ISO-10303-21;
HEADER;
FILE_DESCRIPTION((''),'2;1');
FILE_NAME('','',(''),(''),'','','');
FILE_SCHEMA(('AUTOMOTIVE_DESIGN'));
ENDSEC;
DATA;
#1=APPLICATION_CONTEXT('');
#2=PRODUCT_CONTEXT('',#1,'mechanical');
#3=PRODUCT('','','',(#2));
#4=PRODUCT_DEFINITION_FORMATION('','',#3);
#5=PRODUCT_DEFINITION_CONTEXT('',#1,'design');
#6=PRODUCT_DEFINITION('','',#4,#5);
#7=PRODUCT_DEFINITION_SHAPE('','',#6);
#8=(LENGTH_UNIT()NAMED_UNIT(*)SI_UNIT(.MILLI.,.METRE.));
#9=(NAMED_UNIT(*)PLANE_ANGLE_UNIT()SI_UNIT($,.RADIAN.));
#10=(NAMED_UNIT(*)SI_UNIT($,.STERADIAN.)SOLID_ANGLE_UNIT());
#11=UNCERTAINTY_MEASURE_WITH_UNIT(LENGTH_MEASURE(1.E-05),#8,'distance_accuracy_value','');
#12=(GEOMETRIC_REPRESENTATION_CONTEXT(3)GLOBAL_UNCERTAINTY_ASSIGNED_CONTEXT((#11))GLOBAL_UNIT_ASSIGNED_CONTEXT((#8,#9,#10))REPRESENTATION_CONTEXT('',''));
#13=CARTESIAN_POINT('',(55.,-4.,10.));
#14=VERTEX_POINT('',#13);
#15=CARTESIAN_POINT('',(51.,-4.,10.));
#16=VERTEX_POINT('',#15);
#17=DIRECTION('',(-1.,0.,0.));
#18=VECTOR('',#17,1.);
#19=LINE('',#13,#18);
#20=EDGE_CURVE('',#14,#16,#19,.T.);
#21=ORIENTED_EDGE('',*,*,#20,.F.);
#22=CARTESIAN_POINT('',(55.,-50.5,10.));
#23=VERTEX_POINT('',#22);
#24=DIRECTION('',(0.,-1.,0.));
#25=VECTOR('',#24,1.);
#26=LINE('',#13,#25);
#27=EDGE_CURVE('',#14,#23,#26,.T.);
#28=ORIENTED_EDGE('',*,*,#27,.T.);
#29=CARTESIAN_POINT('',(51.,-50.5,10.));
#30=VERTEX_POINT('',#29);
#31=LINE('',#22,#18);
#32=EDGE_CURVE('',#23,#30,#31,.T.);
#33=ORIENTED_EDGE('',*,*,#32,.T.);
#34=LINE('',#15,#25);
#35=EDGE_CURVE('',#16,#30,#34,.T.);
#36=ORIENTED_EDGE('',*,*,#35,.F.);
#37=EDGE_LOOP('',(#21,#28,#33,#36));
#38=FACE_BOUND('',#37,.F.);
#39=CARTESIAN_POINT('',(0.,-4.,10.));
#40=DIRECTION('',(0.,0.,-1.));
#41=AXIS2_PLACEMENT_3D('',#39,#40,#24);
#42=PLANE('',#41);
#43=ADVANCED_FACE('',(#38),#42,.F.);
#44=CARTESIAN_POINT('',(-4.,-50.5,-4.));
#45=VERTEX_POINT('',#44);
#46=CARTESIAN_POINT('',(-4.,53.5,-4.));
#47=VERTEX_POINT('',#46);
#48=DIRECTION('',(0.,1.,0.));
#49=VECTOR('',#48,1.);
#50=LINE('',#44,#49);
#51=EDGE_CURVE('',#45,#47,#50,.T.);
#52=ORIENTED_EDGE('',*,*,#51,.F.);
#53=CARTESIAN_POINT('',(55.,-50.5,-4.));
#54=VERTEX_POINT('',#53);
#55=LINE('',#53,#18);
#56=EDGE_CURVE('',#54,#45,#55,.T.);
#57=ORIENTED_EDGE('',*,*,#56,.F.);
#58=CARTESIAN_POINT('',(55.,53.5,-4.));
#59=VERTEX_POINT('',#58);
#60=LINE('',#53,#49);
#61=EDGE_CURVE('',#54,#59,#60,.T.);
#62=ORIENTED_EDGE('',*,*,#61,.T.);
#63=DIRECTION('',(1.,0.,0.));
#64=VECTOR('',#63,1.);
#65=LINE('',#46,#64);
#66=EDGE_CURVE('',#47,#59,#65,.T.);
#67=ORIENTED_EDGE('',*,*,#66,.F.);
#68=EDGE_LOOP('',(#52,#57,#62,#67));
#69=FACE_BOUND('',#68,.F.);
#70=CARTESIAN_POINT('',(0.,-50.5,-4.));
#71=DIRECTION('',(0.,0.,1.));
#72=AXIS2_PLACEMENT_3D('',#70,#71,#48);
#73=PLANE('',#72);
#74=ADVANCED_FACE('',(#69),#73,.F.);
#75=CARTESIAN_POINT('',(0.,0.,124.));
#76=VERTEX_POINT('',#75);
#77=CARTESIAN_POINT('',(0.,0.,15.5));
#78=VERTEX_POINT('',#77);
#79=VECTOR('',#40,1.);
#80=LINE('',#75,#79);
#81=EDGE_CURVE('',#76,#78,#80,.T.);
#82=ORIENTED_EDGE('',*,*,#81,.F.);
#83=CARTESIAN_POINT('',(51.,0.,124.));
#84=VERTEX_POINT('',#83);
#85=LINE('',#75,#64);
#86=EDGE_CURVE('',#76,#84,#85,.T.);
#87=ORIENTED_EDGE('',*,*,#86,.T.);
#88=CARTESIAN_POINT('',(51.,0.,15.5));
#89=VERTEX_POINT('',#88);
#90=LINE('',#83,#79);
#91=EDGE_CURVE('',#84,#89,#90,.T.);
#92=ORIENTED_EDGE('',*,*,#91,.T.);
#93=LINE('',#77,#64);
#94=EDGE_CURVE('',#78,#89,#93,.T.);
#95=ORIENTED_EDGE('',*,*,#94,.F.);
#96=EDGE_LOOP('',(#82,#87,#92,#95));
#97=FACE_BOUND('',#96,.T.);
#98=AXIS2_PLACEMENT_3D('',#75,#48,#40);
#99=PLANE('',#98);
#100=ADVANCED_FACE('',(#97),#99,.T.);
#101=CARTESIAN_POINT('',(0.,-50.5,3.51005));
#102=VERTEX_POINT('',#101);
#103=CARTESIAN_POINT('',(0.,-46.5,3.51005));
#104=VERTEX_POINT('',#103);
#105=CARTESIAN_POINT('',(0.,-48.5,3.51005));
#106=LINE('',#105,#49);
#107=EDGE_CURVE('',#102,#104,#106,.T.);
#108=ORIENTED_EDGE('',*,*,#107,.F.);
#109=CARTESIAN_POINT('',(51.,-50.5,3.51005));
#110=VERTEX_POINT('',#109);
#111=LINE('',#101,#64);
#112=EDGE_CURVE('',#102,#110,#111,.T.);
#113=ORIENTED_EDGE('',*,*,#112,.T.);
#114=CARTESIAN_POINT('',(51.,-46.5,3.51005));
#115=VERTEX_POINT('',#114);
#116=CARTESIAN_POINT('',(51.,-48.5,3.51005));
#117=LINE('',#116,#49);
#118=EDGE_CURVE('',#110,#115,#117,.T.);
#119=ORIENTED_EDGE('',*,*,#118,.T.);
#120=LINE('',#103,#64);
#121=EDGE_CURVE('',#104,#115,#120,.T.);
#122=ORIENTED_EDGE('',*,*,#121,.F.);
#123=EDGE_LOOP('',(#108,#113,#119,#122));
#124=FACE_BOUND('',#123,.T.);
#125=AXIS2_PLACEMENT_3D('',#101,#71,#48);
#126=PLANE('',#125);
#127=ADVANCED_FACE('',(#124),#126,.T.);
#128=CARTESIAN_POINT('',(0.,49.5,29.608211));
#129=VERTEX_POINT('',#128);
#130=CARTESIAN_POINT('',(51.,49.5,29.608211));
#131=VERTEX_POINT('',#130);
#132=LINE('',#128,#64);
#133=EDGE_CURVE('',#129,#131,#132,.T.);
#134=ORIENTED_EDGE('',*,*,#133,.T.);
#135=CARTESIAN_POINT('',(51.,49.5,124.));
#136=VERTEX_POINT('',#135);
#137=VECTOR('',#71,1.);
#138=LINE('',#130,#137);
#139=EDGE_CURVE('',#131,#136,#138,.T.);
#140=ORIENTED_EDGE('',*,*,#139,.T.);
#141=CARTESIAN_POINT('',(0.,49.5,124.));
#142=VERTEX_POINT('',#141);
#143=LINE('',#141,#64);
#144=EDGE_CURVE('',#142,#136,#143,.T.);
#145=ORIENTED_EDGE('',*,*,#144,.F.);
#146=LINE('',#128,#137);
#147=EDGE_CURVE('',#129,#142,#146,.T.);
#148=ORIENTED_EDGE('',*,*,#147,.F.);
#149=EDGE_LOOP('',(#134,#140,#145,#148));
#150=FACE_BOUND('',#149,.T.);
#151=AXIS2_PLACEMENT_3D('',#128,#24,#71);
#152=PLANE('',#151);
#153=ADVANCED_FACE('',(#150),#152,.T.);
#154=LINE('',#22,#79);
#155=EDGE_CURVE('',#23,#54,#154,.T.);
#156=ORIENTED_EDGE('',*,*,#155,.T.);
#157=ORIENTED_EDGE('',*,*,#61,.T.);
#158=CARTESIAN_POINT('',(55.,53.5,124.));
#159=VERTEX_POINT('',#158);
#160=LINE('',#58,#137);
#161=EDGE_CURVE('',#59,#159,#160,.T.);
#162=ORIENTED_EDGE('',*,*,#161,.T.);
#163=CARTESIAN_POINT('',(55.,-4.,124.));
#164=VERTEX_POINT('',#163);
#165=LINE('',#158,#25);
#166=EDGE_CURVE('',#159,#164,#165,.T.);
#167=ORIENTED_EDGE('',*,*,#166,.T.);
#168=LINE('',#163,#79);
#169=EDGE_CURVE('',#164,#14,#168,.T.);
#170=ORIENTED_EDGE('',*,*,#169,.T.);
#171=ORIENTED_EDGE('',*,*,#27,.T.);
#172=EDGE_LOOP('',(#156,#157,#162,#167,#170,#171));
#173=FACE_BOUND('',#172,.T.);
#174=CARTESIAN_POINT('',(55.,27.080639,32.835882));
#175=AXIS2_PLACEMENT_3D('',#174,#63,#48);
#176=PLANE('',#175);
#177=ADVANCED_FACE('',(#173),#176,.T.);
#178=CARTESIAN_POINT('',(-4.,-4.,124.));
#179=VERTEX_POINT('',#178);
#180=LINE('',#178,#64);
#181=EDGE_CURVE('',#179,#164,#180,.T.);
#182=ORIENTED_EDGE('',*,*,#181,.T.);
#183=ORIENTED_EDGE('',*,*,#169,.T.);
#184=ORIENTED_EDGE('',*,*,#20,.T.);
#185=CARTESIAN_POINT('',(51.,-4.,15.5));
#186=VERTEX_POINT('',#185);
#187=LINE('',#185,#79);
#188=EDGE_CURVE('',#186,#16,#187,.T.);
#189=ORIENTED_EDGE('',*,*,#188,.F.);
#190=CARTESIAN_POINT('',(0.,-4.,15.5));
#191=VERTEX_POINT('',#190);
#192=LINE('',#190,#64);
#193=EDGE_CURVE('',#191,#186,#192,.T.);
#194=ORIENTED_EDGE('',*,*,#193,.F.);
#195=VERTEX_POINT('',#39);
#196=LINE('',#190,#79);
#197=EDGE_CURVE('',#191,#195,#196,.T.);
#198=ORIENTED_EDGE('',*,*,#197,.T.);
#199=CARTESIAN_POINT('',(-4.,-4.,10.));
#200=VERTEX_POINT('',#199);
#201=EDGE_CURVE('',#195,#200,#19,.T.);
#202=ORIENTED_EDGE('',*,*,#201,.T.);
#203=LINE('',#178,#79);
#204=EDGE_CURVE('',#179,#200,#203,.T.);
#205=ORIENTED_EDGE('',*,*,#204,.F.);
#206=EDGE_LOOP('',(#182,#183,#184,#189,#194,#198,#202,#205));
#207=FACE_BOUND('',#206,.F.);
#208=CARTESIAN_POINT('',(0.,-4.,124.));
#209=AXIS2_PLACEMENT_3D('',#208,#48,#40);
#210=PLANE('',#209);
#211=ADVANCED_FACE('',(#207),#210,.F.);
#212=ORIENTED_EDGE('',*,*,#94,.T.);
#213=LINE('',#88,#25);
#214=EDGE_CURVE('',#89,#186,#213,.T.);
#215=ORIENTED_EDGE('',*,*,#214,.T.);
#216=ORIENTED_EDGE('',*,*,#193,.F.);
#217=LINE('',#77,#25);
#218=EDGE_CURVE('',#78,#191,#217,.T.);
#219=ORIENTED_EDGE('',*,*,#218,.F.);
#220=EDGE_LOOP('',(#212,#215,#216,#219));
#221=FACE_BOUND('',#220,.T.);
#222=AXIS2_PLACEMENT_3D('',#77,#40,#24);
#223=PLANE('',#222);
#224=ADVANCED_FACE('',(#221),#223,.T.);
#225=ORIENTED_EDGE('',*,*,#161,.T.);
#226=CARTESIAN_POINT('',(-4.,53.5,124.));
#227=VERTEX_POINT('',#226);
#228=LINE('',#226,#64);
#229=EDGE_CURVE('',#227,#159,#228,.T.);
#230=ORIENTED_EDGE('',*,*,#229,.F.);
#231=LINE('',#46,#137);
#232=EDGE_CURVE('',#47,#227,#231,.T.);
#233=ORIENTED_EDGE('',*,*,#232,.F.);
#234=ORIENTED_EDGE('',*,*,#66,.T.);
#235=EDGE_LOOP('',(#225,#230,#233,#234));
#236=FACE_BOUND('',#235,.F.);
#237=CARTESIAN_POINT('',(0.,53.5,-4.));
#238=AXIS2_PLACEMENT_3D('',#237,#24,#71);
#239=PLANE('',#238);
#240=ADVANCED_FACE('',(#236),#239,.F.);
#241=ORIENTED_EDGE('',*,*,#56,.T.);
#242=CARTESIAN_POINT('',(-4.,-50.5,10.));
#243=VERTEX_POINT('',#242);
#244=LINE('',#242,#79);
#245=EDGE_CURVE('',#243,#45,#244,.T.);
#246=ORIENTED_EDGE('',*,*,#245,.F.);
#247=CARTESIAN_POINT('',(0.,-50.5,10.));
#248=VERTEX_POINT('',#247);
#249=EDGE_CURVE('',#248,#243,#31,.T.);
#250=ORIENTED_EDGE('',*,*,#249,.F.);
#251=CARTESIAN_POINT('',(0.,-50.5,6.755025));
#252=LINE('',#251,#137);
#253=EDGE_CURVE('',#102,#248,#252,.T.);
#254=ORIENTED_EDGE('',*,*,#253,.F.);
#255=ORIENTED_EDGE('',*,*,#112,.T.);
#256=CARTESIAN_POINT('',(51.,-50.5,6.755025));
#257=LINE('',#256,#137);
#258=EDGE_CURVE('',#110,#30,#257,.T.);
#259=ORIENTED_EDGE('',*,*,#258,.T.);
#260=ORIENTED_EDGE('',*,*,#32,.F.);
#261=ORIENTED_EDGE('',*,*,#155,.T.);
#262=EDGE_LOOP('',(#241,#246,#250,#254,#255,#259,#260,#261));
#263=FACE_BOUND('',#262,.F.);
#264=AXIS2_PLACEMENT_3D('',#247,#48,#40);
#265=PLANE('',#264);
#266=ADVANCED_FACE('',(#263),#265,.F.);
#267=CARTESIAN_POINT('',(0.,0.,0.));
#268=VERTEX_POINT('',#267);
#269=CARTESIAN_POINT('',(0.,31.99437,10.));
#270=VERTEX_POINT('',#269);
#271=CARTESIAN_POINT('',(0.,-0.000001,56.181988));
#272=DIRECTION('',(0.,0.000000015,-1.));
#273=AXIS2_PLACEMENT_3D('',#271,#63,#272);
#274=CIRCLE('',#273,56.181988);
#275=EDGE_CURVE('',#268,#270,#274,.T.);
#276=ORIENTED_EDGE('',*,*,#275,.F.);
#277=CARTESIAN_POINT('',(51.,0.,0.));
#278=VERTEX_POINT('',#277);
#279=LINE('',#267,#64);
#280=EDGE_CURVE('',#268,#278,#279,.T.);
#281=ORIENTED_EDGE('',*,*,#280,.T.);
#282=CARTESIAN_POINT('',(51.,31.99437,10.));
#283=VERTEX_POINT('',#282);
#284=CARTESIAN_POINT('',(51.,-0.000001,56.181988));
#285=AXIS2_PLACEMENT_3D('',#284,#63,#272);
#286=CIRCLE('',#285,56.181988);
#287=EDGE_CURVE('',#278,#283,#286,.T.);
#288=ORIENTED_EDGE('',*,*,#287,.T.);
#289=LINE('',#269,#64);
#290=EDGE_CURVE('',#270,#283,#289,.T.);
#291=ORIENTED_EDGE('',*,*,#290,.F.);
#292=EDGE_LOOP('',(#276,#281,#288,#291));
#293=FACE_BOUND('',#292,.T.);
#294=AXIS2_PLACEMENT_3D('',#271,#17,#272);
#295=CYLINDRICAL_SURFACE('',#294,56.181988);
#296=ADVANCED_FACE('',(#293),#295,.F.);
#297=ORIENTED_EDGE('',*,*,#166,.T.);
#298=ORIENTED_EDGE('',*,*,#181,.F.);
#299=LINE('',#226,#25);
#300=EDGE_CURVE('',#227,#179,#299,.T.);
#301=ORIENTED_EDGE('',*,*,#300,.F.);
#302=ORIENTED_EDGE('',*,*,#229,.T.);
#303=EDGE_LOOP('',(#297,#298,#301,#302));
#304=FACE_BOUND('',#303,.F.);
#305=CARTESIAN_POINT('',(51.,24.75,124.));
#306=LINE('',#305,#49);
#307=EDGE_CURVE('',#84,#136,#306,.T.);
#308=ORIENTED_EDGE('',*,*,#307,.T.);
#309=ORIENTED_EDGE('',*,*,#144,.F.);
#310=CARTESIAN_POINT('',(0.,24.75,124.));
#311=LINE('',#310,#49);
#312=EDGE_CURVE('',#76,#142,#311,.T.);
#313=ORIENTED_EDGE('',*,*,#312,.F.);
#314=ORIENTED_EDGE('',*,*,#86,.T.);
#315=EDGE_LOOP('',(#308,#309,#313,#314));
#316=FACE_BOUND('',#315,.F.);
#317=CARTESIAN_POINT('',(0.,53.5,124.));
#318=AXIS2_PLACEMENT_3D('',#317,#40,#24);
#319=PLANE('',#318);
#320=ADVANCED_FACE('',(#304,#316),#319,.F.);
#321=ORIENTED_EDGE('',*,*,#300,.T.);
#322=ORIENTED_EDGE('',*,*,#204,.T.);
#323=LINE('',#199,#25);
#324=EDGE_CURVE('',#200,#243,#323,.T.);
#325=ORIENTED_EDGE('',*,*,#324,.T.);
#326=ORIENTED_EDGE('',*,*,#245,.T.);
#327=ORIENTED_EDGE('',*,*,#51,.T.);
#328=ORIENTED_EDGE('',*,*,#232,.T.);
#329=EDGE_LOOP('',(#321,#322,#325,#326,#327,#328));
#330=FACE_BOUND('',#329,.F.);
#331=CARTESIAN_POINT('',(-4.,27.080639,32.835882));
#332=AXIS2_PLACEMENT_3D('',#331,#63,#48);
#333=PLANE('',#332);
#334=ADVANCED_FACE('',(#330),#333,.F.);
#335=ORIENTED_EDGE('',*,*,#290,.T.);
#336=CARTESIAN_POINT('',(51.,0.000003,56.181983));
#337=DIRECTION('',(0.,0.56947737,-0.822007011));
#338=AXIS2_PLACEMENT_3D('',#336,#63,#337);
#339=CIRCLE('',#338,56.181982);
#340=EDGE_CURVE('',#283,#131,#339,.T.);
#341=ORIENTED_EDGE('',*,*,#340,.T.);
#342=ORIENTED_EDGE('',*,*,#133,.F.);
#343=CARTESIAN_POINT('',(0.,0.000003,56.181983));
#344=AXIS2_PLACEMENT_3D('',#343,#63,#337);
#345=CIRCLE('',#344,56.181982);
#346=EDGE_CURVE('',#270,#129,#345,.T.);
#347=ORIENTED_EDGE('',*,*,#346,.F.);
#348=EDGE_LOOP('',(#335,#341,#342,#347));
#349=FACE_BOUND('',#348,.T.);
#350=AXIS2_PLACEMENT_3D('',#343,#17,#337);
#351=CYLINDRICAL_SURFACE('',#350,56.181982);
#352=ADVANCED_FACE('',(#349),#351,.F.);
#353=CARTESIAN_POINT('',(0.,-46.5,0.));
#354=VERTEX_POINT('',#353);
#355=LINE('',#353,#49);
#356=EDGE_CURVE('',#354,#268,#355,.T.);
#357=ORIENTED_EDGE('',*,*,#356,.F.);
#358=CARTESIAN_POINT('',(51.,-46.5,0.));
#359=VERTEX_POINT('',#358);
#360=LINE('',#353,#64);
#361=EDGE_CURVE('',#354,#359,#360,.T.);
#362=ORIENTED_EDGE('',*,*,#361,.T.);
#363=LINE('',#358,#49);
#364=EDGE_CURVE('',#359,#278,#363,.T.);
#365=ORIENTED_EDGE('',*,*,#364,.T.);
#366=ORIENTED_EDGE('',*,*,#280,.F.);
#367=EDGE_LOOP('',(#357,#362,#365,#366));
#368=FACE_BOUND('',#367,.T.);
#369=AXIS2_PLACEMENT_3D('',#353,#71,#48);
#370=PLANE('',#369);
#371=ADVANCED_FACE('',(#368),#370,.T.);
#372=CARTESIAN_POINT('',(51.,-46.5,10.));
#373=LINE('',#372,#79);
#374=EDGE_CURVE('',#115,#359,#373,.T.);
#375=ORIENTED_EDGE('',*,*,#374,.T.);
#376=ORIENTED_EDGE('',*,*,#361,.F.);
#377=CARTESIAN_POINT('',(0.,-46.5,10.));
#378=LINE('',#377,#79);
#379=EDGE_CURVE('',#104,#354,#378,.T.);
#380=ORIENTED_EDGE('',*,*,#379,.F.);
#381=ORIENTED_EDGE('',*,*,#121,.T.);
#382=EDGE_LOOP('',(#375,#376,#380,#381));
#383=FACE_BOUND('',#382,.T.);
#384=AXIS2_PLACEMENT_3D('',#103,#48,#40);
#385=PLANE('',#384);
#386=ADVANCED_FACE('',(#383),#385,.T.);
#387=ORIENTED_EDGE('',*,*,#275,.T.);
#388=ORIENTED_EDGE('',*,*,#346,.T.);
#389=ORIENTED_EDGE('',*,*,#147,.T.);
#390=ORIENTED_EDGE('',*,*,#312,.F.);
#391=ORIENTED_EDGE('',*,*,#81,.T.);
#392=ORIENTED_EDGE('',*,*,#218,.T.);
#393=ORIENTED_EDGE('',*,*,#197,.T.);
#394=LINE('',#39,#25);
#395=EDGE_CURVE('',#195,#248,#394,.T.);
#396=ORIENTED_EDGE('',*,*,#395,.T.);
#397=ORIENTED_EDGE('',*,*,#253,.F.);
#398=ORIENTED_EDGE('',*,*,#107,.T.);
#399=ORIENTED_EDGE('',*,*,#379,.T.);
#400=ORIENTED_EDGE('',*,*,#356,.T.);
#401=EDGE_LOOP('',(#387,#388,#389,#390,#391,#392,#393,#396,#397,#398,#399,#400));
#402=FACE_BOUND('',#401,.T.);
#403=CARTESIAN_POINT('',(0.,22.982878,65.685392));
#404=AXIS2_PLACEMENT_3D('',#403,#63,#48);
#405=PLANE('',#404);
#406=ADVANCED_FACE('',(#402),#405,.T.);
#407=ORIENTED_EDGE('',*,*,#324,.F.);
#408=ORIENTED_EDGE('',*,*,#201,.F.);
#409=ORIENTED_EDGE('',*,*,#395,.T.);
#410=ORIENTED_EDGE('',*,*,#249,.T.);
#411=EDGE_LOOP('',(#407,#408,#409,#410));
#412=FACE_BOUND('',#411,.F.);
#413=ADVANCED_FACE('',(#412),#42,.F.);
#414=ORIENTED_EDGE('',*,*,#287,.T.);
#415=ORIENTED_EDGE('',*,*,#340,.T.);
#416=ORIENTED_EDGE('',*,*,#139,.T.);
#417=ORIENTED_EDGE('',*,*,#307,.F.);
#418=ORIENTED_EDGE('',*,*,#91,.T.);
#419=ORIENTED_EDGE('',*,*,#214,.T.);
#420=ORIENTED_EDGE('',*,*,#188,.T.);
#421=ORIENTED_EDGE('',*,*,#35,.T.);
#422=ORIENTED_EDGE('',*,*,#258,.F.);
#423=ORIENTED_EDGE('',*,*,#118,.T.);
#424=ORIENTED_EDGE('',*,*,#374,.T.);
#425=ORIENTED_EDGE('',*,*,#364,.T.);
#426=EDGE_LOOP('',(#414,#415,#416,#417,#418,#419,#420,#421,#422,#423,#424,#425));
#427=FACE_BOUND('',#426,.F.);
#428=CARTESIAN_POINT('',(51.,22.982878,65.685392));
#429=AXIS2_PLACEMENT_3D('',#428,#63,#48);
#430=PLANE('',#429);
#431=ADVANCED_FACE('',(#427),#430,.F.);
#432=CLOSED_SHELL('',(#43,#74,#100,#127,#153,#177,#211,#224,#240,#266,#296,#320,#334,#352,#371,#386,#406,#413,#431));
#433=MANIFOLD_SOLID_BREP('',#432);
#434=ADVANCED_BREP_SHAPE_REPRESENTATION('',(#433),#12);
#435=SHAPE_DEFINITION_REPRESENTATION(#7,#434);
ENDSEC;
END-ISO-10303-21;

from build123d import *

# Parameters (mm, degrees)
F0_W     = 4
F0_H     = 6.48995
F0_W_2   = 49.5
F0_H_2   = 4
F1_DEPTH = 4
F2_DEPTH = 55
F3_DEPTH = 51


with BuildPart() as f1:
    # F0 (on Right) → F1 (new body)
    with BuildSketch(Plane.YZ):
        Polygon((46.5, 0), (0, 0), (-46.5, 0), (-46.5, 3.51005), (-50.5, 3.51005), (-50.5, -4), (0, -4), (46.5, -4), (53.5, -4), (53.5, 124), (49.5, 124), (49.5, 120), (49.5, 29.608211), (49.5, 0), align=None)
        with BuildLine():
            ThreePointArc((31.99437, 10), (16.760368, 2.558245), (0, 0))
            Line((0, 0), (46.5, 0))
            Line((46.5, 0), (49.5, 0))
            Line((49.5, 0), (49.5, 29.608211))
            ThreePointArc((49.5, 29.608211), (41.910065, 18.76592), (31.99437, 10))
        make_face()
        with BuildLine():
            Line((0, 10), (0, 0))
            ThreePointArc((0, 0), (16.760368, 2.558245), (31.99437, 10))
            Line((31.99437, 10), (0, 10))
        make_face()
        Polygon((-46.5, 0), (0, 0), (0, 10), (-4, 10), (-46.5, 10), (-46.5, 3.51005), align=None)
        with BuildLine():
            Line((0, 10), (31.99437, 10))
            ThreePointArc((31.99437, 10), (41.910065, 18.76592), (49.5, 29.608211))
            Line((49.5, 29.608211), (49.5, 120))
            Line((49.5, 120), (0, 120))
            Line((0, 120), (0, 56.181986))
            Line((0, 56.181986), (0, 15.5))
            Line((0, 15.5), (-4, 15.5))
            Line((-4, 15.5), (-4, 10))
            Line((-4, 10), (0, 10))
        make_face()
        with Locations((-48.5, 6.755025)):
            Rectangle(F0_W, F0_H)
        Polygon((-4, 124), (-4, 15.5), (0, 15.5), (0, 56.181986), (0, 120), (0, 124), align=None)
        with Locations((24.75, 122)):
            Rectangle(F0_W_2, F0_H_2)
    extrude(amount=-F1_DEPTH)

    # F0 (on Right) → F2 (join)
    with BuildSketch(Plane.YZ):
        Polygon((46.5, 0), (0, 0), (-46.5, 0), (-46.5, 3.51005), (-50.5, 3.51005), (-50.5, -4), (0, -4), (46.5, -4), (53.5, -4), (53.5, 124), (49.5, 124), (49.5, 120), (49.5, 29.608211), (49.5, 0), align=None)
        with BuildLine():
            ThreePointArc((31.99437, 10), (16.760368, 2.558245), (0, 0))
            Line((0, 0), (46.5, 0))
            Line((46.5, 0), (49.5, 0))
            Line((49.5, 0), (49.5, 29.608211))
            ThreePointArc((49.5, 29.608211), (41.910065, 18.76592), (31.99437, 10))
        make_face()
        with BuildLine():
            Line((0, 10), (31.99437, 10))
            ThreePointArc((31.99437, 10), (41.910065, 18.76592), (49.5, 29.608211))
            Line((49.5, 29.608211), (49.5, 120))
            Line((49.5, 120), (0, 120))
            Line((0, 120), (0, 56.181986))
            Line((0, 56.181986), (0, 15.5))
            Line((0, 15.5), (-4, 15.5))
            Line((-4, 15.5), (-4, 10))
            Line((-4, 10), (0, 10))
        make_face()
        Polygon((-46.5, 0), (0, 0), (0, 10), (-4, 10), (-46.5, 10), (-46.5, 3.51005), align=None)
        with BuildLine():
            Line((0, 10), (0, 0))
            ThreePointArc((0, 0), (16.760368, 2.558245), (31.99437, 10))
            Line((31.99437, 10), (0, 10))
        make_face()
        with Locations((-48.5, 6.755025)):
            Rectangle(F0_W, F0_H)
        Polygon((-4, 124), (-4, 15.5), (0, 15.5), (0, 56.181986), (0, 120), (0, 124), align=None)
        with Locations((24.75, 122)):
            Rectangle(F0_W_2, F0_H_2)
    extrude(amount=F2_DEPTH)

    # F0 (on Right) → F3 (cut)
    with BuildSketch(Plane.YZ):
        with BuildLine():
            Line((0, 10), (31.99437, 10))
            ThreePointArc((31.99437, 10), (41.910065, 18.76592), (49.5, 29.608211))
            Line((49.5, 29.608211), (49.5, 120))
            Line((49.5, 120), (0, 120))
            Line((0, 120), (0, 56.181986))
            Line((0, 56.181986), (0, 15.5))
            Line((0, 15.5), (-4, 15.5))
            Line((-4, 15.5), (-4, 10))
            Line((-4, 10), (0, 10))
        make_face()
        with BuildLine():
            Line((0, 10), (0, 0))
            ThreePointArc((0, 0), (16.760368, 2.558245), (31.99437, 10))
            Line((31.99437, 10), (0, 10))
        make_face()
        Polygon((-46.5, 0), (0, 0), (0, 10), (-4, 10), (-46.5, 10), (-46.5, 3.51005), align=None)
        with Locations((-48.5, 6.755025)):
            Rectangle(F0_W, F0_H)
        with Locations((24.75, 122)):
            Rectangle(F0_W_2, F0_H_2)
    extrude(amount=F3_DEPTH, mode=Mode.SUBTRACT)


solid = f1.part
